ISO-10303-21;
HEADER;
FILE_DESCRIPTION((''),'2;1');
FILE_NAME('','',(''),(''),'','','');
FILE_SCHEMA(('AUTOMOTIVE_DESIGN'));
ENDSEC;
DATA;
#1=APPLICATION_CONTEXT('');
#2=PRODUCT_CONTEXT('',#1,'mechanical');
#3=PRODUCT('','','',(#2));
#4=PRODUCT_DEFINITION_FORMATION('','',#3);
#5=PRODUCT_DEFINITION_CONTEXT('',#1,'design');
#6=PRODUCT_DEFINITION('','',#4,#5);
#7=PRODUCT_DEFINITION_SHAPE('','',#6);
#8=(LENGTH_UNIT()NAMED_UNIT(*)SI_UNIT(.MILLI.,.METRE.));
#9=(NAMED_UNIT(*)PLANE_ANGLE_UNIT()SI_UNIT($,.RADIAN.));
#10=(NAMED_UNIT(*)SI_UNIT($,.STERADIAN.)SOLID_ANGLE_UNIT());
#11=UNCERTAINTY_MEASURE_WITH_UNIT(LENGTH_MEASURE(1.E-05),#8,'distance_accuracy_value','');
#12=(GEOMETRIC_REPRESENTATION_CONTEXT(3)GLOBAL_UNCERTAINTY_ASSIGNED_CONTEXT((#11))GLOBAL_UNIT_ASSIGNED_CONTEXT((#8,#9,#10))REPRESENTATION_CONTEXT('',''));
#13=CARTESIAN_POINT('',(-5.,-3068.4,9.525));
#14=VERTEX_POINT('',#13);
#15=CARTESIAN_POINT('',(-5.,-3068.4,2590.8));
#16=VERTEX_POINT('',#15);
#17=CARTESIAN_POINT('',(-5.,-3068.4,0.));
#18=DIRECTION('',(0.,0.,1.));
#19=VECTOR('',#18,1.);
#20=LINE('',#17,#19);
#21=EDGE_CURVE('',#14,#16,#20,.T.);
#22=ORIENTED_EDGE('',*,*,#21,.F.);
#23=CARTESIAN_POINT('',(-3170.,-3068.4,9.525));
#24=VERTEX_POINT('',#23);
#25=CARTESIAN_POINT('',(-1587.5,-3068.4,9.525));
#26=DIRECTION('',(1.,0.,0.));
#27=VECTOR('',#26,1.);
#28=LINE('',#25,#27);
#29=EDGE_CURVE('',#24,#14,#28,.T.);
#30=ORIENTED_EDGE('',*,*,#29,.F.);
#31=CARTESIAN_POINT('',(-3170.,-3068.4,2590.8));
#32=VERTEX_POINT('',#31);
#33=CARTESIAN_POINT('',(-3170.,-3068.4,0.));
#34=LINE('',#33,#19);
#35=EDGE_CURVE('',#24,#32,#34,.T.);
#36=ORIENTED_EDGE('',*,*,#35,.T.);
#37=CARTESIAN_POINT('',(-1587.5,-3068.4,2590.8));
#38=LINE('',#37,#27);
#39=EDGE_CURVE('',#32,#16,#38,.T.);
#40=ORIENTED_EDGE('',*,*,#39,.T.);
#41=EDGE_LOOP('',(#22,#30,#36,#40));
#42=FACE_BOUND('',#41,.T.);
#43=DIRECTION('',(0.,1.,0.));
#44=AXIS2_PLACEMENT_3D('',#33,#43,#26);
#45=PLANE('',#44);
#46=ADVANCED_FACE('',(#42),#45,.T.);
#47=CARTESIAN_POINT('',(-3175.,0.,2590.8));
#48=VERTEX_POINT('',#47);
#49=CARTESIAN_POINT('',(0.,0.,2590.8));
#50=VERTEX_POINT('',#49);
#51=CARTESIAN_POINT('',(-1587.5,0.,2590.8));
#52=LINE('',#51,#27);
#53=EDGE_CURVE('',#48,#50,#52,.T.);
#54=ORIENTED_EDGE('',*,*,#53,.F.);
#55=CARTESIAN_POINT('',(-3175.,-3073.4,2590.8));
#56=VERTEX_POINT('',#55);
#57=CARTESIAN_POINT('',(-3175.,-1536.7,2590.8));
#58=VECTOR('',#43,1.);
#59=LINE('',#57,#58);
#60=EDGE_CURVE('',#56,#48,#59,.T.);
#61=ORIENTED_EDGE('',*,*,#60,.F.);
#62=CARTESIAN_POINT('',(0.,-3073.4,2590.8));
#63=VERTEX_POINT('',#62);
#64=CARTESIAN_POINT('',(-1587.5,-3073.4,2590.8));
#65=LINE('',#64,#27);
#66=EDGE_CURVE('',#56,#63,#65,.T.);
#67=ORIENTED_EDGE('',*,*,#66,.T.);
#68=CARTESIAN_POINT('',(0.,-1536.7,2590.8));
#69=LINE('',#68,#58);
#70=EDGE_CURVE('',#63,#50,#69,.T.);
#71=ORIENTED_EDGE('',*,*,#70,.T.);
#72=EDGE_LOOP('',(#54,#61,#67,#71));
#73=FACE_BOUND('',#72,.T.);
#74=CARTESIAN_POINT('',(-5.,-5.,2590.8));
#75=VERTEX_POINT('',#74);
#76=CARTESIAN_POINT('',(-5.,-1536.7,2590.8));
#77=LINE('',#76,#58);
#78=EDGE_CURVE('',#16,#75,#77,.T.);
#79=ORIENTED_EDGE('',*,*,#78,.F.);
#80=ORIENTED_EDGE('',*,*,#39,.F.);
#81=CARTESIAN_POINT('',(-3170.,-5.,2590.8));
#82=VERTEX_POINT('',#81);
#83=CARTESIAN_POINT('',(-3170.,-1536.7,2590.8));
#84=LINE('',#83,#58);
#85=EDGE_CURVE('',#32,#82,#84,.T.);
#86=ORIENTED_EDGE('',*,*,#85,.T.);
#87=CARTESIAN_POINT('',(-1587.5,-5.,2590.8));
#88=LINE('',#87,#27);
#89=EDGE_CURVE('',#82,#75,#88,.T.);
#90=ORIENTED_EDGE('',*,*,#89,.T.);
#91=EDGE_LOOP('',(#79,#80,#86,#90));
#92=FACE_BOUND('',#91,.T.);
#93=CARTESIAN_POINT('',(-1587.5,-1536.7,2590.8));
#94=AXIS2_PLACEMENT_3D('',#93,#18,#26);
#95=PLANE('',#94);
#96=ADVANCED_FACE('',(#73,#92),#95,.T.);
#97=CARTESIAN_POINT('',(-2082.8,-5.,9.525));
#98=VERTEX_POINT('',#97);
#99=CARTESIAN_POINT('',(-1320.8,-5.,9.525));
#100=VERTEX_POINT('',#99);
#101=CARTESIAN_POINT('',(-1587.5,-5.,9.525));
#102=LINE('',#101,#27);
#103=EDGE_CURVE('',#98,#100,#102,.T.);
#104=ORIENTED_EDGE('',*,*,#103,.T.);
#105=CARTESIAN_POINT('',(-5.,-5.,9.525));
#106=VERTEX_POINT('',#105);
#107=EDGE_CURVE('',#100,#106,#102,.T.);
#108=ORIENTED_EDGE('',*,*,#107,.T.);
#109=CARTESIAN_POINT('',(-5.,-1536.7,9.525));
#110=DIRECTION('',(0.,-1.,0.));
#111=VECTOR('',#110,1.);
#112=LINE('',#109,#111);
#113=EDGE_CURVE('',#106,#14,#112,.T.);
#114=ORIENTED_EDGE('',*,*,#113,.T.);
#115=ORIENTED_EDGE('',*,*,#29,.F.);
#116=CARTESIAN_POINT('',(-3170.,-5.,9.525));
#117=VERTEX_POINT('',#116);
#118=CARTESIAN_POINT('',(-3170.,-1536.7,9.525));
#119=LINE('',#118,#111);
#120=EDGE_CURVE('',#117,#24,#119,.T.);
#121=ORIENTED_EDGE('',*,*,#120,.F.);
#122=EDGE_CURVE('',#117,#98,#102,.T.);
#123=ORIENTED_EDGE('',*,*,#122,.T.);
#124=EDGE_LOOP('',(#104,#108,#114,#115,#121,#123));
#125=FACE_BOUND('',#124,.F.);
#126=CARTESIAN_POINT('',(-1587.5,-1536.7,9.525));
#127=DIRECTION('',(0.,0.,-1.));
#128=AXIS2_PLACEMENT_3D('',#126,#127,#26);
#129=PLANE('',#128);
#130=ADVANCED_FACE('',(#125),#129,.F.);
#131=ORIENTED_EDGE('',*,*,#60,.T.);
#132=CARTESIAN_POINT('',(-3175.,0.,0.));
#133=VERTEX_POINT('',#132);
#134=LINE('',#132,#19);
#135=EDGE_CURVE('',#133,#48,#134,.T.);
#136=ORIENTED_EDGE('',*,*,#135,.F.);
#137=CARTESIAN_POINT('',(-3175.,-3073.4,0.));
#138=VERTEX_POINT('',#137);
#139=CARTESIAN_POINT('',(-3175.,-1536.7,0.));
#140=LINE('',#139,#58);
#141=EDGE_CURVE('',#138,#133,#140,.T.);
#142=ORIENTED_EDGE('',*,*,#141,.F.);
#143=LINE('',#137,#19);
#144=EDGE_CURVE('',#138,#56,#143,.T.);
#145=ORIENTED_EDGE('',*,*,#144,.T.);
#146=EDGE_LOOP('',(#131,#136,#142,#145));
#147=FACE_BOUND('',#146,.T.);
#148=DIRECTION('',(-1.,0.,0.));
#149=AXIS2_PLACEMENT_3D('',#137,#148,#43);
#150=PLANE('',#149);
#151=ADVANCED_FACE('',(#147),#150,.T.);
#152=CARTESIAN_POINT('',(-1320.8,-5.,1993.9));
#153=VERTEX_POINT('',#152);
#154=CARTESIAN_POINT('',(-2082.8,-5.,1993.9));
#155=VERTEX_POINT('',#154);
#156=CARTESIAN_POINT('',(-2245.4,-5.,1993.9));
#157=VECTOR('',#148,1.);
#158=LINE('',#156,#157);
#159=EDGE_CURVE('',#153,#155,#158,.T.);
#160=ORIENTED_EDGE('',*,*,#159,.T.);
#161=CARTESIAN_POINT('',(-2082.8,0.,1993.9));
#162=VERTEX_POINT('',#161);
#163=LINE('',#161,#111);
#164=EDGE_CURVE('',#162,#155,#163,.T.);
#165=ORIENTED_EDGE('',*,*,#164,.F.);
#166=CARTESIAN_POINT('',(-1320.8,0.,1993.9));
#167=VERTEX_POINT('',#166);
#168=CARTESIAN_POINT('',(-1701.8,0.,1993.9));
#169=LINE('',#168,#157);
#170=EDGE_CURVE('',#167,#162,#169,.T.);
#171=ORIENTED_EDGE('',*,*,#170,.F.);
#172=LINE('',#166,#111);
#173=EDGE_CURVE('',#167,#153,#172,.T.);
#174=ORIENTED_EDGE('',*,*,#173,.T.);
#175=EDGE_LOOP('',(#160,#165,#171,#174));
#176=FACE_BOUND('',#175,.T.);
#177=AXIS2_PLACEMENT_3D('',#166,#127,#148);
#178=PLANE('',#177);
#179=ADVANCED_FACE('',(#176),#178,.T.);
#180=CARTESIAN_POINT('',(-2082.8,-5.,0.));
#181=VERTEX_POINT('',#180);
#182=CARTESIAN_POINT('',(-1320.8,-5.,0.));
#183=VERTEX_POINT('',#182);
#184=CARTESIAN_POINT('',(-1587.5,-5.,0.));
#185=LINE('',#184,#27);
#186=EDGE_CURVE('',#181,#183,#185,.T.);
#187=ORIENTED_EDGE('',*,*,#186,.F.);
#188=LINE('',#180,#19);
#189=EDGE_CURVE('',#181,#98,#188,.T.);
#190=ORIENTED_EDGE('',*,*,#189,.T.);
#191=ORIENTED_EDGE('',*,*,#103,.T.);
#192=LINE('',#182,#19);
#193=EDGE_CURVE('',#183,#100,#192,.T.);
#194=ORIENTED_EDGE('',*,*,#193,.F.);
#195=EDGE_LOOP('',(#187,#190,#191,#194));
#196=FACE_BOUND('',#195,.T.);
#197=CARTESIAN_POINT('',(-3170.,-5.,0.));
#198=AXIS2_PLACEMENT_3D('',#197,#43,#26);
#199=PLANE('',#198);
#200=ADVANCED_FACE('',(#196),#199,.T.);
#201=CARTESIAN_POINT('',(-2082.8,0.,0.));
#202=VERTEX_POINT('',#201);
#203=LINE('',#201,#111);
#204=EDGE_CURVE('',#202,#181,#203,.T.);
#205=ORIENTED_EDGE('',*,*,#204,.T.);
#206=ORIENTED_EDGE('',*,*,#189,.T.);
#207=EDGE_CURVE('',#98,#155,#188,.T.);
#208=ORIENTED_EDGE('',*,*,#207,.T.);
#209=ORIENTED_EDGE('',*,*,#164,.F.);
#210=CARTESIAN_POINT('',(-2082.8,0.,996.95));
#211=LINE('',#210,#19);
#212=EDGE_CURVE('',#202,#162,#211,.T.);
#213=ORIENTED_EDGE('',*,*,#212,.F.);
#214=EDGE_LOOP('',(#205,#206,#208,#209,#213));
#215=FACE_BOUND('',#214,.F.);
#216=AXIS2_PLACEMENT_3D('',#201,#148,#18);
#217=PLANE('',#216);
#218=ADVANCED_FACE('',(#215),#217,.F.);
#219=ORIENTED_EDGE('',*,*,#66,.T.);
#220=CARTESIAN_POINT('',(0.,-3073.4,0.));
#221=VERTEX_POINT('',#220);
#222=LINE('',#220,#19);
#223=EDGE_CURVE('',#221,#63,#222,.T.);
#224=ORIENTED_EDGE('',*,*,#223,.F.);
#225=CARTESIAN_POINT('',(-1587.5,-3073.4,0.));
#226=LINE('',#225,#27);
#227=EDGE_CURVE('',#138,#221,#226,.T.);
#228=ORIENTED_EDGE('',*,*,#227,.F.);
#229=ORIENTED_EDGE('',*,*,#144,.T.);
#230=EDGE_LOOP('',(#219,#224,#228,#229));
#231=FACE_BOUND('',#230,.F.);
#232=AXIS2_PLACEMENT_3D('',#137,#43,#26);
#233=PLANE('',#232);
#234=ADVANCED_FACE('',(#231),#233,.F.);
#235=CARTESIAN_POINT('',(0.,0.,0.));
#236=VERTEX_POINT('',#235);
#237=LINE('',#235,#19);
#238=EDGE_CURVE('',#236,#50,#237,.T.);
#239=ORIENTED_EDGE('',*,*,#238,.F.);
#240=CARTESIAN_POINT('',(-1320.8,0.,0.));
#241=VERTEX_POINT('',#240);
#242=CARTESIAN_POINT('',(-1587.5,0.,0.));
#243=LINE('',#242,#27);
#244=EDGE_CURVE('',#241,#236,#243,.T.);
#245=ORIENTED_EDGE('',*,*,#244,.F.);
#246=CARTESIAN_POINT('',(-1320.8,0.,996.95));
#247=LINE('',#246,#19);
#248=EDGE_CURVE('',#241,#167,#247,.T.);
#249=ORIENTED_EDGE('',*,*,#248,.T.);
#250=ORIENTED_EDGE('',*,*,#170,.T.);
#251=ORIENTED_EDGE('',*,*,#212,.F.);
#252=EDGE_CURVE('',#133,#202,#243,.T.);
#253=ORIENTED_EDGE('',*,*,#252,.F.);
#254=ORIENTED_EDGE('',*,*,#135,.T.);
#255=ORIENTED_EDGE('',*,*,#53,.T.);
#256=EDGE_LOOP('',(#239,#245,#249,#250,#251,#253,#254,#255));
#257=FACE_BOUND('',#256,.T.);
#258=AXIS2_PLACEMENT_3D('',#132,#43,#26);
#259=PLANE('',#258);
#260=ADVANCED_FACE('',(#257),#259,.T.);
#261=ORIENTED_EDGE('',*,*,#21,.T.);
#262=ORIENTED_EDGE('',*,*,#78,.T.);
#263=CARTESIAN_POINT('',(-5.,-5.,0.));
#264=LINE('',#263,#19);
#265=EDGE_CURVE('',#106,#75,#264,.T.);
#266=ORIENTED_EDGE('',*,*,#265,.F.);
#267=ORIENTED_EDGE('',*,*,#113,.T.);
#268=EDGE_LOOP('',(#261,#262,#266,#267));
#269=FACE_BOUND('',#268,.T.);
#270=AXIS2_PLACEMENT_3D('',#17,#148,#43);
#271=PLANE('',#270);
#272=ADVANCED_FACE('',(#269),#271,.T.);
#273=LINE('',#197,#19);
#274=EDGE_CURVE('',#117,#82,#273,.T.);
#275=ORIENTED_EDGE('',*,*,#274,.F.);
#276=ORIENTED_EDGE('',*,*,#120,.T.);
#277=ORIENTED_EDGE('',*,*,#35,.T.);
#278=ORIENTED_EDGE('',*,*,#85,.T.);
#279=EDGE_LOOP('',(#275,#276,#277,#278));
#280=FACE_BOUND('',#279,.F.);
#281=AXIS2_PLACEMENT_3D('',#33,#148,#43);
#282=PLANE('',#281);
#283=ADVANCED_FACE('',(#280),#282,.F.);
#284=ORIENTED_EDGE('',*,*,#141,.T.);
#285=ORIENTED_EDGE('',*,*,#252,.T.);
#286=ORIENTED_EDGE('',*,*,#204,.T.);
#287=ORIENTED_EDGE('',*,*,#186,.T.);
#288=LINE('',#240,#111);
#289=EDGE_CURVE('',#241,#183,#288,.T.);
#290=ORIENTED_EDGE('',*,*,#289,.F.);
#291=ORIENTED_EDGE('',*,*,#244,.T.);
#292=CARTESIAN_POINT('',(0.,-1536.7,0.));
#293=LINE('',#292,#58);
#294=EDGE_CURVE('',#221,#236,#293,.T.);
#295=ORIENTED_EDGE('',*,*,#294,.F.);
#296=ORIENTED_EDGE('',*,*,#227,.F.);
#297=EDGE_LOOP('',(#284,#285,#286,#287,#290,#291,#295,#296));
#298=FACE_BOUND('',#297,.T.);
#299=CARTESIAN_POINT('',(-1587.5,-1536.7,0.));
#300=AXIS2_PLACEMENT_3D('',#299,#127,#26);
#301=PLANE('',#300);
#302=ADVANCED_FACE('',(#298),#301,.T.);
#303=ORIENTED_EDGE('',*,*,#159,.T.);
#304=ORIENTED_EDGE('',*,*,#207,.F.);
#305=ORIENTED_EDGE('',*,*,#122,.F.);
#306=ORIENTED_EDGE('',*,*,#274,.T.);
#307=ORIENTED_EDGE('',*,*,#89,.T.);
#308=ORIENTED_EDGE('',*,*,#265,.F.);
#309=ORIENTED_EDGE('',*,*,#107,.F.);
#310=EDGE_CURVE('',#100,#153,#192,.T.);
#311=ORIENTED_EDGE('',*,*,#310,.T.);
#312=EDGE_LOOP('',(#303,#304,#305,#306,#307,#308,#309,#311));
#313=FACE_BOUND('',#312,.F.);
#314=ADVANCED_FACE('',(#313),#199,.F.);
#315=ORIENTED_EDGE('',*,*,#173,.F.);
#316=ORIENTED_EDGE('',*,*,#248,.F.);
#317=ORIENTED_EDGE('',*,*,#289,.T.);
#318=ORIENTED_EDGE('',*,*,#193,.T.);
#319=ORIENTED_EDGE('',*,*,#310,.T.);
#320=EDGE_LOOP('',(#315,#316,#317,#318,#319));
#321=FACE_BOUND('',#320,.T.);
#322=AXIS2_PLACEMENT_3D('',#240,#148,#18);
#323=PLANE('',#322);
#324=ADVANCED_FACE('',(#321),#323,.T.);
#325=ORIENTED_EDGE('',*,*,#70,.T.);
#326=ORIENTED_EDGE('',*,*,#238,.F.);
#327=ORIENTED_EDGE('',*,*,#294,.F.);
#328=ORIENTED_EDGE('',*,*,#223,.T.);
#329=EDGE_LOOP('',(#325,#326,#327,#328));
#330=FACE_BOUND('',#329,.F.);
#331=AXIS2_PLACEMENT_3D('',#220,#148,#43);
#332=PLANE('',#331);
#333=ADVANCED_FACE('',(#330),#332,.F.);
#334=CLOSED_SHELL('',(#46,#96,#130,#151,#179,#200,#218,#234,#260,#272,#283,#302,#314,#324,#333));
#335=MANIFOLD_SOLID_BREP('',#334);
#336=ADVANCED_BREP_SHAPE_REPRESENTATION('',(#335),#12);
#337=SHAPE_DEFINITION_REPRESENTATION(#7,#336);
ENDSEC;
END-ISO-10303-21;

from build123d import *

# Parameters (mm, degrees)
SKETCH_W     = 3175
SKETCH_H     = 3073.4
SKETCH_W_2   = 3165
SKETCH_H_2   = 3063.4
PAD_DEPTH    = 2590.8
SKETCH001_W  = 762
SKETCH001_H  = 1993.9
POCKET_DEPTH = 107.95
SKETCH002_W  = 3165
SKETCH002_H  = 3063.4
PAD001_DEPTH = 9.525


with BuildPart() as part:
    # Sketch → Pad (new body)
    with BuildSketch(Plane.XY):
        with Locations((-1587.5, -1536.7)):
            Rectangle(SKETCH_W, SKETCH_H)
        with Locations((-1587.5, -1536.7)):
            Rectangle(SKETCH_W_2, SKETCH_H_2, mode=Mode.SUBTRACT)
    extrude(amount=PAD_DEPTH)

    # Sketch001 (on Face1 of Pad) → Pocket (cut)
    with BuildSketch(Plane(origin=(0, 0, 0), x_dir=(-1, 0, 0), z_dir=(0, 1, 0))):
        with Locations((1701.8, 996.95)):
            Rectangle(SKETCH001_W, SKETCH001_H)
    extrude(amount=-POCKET_DEPTH, mode=Mode.SUBTRACT)

    # Sketch002 (on Face2 of Pocket) → Pad001 (join)
    with BuildSketch(Plane(origin=(0, 0, 0), x_dir=(1, 0, 0), z_dir=(0, 0, -1))):
        with Locations((-1587.5, 1536.7)):
            Rectangle(SKETCH002_W, SKETCH002_H)
    extrude(amount=-PAD001_DEPTH)


solid = part.part
